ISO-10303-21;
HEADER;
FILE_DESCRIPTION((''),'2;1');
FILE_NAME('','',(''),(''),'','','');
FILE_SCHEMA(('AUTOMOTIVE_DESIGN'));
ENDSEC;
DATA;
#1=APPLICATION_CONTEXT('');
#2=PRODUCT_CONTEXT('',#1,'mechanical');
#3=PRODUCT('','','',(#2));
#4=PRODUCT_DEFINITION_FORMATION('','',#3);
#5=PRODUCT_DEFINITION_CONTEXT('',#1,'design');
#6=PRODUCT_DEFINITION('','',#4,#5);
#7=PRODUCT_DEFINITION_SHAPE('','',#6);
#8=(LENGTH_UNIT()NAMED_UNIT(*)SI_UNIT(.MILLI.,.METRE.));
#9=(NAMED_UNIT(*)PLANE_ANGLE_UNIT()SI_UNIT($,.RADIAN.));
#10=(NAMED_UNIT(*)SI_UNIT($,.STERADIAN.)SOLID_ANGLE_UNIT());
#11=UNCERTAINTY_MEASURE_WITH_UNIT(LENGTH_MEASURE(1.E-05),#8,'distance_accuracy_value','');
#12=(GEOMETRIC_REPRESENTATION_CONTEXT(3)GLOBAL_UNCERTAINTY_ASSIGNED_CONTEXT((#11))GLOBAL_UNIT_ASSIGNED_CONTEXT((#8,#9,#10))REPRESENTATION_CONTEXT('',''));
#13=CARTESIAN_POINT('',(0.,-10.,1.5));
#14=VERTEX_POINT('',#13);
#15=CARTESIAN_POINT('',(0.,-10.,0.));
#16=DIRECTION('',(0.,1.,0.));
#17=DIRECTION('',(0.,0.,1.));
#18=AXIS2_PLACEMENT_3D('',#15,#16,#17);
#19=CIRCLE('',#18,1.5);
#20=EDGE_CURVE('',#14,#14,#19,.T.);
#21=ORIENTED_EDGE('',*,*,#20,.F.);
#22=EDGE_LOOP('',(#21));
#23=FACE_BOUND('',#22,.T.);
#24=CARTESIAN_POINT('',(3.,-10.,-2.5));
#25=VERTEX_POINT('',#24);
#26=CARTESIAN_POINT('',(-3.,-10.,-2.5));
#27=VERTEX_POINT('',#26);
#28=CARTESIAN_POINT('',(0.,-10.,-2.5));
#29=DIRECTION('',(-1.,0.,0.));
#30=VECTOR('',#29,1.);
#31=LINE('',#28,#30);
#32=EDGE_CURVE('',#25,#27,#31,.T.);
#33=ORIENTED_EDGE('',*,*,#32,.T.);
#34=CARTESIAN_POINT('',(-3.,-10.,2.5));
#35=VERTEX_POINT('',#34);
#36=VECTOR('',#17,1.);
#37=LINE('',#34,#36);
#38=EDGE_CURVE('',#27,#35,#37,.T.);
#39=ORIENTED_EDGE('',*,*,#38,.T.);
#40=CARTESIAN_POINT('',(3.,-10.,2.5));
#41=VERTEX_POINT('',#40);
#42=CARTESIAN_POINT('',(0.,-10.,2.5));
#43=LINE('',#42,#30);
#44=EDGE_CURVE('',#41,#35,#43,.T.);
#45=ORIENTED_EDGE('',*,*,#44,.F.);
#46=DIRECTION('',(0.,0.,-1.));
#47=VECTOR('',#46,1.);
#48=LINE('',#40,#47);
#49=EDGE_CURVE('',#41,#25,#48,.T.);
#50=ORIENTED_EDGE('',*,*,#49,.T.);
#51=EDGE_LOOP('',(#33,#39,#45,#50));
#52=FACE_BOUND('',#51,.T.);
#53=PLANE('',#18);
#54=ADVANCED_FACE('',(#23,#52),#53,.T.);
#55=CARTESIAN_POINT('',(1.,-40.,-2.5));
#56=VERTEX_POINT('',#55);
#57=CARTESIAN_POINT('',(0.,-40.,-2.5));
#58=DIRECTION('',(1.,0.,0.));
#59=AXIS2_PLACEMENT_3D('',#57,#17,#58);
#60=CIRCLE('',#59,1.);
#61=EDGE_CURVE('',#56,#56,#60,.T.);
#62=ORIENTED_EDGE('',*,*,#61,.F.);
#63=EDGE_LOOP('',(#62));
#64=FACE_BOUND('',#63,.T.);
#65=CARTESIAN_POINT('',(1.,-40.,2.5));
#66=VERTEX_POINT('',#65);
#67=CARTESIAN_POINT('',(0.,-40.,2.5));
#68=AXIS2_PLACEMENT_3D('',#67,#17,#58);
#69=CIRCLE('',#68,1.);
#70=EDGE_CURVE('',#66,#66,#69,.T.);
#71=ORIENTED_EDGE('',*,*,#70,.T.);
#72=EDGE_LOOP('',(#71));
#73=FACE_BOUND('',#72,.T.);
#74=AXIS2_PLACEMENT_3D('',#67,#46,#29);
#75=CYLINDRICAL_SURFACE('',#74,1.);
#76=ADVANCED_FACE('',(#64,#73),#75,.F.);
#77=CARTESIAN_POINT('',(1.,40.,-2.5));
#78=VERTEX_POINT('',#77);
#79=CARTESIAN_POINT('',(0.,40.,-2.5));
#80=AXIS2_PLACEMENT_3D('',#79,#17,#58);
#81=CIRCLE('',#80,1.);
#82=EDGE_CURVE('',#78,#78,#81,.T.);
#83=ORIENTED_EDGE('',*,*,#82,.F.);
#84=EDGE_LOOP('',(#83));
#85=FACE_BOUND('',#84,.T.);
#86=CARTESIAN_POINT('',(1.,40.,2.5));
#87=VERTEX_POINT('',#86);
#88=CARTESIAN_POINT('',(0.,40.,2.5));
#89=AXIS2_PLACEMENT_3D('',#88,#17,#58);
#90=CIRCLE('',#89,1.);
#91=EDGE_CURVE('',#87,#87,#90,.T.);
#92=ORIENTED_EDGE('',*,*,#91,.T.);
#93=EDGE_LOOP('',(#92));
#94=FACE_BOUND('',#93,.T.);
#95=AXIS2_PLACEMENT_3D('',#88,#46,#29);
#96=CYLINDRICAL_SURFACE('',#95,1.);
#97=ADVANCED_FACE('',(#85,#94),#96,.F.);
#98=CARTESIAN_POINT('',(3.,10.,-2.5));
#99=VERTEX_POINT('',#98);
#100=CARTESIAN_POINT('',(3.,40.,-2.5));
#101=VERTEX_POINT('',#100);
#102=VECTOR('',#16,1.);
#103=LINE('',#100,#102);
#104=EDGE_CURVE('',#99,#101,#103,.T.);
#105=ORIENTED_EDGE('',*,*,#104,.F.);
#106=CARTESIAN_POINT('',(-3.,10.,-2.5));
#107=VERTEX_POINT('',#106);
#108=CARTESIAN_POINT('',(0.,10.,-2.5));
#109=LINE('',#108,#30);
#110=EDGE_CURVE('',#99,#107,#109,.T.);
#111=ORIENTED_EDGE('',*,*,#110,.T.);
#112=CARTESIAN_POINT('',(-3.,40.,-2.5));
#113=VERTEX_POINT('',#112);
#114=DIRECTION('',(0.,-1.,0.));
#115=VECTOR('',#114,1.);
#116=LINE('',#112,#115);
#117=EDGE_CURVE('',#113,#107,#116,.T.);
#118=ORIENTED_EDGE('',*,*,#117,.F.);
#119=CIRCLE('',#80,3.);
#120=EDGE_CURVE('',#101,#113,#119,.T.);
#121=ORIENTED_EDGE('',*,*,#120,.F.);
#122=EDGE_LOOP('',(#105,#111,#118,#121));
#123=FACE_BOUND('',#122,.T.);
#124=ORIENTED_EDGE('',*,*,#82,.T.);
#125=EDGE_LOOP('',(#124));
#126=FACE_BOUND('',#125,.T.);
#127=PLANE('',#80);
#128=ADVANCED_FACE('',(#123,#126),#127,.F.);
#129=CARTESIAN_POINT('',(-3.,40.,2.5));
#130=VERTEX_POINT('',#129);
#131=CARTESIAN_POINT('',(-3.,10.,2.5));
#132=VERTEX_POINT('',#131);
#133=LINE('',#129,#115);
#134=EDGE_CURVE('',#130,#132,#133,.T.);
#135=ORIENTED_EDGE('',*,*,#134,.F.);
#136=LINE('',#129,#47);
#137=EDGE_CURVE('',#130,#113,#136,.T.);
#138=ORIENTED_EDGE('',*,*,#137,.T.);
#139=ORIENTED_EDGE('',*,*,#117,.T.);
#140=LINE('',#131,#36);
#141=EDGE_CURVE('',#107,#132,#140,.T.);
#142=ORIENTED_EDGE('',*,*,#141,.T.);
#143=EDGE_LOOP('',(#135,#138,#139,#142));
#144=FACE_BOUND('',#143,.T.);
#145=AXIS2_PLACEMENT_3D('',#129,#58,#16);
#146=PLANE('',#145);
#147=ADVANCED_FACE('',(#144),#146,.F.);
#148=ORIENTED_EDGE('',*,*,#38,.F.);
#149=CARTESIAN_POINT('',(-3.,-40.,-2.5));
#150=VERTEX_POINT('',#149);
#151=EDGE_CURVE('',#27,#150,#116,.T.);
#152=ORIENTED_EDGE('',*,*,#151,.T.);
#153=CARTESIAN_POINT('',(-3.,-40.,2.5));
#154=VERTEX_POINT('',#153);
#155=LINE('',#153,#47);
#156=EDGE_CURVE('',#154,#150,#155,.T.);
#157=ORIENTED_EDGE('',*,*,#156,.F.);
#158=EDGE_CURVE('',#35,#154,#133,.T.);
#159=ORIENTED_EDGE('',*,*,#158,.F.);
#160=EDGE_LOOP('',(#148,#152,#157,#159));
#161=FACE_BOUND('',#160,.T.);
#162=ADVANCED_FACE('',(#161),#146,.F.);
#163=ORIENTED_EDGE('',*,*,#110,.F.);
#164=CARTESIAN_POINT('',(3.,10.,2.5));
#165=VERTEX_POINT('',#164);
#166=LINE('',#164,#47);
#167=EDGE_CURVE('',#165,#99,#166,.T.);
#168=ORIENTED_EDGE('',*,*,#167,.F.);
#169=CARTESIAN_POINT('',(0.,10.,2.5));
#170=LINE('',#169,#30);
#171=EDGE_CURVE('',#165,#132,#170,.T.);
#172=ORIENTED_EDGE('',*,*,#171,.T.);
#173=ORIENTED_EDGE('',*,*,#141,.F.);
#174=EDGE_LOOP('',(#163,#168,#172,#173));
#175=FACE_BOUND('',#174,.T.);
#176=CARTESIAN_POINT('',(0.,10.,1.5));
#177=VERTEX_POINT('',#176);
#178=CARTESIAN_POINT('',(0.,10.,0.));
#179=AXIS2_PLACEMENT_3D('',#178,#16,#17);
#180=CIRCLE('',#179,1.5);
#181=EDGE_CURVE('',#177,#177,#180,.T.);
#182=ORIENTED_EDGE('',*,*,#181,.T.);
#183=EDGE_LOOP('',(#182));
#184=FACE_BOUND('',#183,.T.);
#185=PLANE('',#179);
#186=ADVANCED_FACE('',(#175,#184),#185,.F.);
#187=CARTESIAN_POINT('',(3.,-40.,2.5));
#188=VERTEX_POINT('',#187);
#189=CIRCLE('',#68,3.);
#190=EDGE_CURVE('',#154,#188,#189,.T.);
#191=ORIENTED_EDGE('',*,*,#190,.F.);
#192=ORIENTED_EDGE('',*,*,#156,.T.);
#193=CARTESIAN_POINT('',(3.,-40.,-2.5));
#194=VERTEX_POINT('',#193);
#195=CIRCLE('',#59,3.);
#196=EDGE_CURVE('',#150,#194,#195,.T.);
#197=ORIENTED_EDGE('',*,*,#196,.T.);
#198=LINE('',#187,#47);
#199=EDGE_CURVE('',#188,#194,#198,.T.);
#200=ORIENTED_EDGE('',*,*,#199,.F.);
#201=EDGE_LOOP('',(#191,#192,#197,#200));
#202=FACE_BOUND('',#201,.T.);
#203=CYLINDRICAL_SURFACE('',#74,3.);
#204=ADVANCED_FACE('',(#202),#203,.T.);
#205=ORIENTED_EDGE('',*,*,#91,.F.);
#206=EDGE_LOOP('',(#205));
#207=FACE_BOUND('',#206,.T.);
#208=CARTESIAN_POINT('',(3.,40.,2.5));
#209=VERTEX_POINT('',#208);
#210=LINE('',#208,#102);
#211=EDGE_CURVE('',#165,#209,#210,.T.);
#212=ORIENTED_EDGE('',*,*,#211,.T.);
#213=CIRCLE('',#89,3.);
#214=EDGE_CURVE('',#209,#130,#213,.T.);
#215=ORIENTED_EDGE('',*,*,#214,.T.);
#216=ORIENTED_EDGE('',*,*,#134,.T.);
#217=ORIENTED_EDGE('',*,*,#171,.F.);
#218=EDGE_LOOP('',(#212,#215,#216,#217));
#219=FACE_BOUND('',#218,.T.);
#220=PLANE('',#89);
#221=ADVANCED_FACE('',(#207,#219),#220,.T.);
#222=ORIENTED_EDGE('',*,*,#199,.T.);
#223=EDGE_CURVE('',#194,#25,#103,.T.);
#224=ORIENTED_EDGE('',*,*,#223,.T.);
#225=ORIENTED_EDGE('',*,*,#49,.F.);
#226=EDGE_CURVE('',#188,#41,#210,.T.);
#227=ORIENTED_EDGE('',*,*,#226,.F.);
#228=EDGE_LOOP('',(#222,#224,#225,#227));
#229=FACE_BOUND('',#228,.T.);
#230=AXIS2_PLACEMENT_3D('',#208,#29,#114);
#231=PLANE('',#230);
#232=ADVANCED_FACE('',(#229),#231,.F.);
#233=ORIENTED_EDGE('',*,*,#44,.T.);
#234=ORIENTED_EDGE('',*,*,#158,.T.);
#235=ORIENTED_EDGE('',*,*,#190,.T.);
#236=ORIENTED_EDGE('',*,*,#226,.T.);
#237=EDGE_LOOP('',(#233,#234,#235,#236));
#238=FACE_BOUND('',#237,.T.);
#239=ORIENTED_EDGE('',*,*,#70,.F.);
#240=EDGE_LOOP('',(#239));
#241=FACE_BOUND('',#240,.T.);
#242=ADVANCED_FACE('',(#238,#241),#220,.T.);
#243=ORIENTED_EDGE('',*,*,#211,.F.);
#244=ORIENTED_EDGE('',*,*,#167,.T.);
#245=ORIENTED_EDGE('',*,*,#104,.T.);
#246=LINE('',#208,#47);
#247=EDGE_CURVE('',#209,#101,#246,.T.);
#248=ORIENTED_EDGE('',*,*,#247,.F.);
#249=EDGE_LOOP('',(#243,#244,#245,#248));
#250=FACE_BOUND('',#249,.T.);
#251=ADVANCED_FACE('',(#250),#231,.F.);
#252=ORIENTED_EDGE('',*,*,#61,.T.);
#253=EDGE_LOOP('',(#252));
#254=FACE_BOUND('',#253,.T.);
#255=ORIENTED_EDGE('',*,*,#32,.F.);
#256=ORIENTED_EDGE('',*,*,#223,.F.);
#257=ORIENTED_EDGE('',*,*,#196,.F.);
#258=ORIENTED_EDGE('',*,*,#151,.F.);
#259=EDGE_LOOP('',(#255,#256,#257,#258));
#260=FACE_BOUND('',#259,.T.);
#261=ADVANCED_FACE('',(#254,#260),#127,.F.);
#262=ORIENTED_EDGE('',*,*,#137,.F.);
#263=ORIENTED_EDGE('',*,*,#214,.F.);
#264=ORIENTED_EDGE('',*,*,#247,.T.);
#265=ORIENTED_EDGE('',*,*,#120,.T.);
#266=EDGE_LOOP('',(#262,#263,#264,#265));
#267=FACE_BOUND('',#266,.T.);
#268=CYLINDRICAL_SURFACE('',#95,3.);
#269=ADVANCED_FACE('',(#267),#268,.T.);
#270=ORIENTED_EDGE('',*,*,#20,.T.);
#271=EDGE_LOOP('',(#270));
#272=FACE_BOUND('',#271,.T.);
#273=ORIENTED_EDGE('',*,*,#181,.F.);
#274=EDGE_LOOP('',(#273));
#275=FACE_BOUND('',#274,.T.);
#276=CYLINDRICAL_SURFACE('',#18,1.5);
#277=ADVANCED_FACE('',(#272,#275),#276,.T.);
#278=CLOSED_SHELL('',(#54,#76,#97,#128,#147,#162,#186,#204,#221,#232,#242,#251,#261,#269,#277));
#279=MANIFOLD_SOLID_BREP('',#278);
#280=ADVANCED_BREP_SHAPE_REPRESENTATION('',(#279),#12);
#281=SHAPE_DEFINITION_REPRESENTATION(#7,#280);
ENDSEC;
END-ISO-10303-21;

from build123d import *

# Parameters (mm, degrees)
SKETCH_1_R          = 1
EXTRUDE_1_DEPTH     = 2.5
SKETCH_4_R          = 5.341815289
SKETCH_4_R_2        = 1.5
CUT_EXTRUDE_2_DEPTH = 10


with BuildPart() as part:
    # 草图1 → 凸台-拉伸1 (new, symmetric)
    with BuildSketch(Plane.XY):
        with BuildLine():
            Line((3, 0), (3, -80))
            ThreePointArc((3, -80), (0, -83), (-3, -80))
            Line((-3, -80), (-3, 0))
            ThreePointArc((-3, 0), (0, 3), (3, 0))
        make_face()
        Circle(SKETCH_1_R, mode=Mode.SUBTRACT)
        with Locations((0, -80)):
            Circle(SKETCH_1_R, mode=Mode.SUBTRACT)
    extrude(amount=EXTRUDE_1_DEPTH, both=True)


with BuildPart() as part_1:
    # Move Body 1: moved
    add(part.part.moved(Location((0, 40, 0))))

    # 草图4 → 切除-拉伸2 (cut, symmetric)
    with BuildSketch(Plane(origin=(0, 0, 0), x_dir=(1, 0, 0), z_dir=(0, 1, 0))):
        Circle(SKETCH_4_R)
        with Locations(Location((0, 0, 0), (0, 0, 270))):
            Circle(SKETCH_4_R_2, mode=Mode.SUBTRACT)
    extrude(amount=CUT_EXTRUDE_2_DEPTH, both=True, mode=Mode.SUBTRACT)


solid = part_1.part
